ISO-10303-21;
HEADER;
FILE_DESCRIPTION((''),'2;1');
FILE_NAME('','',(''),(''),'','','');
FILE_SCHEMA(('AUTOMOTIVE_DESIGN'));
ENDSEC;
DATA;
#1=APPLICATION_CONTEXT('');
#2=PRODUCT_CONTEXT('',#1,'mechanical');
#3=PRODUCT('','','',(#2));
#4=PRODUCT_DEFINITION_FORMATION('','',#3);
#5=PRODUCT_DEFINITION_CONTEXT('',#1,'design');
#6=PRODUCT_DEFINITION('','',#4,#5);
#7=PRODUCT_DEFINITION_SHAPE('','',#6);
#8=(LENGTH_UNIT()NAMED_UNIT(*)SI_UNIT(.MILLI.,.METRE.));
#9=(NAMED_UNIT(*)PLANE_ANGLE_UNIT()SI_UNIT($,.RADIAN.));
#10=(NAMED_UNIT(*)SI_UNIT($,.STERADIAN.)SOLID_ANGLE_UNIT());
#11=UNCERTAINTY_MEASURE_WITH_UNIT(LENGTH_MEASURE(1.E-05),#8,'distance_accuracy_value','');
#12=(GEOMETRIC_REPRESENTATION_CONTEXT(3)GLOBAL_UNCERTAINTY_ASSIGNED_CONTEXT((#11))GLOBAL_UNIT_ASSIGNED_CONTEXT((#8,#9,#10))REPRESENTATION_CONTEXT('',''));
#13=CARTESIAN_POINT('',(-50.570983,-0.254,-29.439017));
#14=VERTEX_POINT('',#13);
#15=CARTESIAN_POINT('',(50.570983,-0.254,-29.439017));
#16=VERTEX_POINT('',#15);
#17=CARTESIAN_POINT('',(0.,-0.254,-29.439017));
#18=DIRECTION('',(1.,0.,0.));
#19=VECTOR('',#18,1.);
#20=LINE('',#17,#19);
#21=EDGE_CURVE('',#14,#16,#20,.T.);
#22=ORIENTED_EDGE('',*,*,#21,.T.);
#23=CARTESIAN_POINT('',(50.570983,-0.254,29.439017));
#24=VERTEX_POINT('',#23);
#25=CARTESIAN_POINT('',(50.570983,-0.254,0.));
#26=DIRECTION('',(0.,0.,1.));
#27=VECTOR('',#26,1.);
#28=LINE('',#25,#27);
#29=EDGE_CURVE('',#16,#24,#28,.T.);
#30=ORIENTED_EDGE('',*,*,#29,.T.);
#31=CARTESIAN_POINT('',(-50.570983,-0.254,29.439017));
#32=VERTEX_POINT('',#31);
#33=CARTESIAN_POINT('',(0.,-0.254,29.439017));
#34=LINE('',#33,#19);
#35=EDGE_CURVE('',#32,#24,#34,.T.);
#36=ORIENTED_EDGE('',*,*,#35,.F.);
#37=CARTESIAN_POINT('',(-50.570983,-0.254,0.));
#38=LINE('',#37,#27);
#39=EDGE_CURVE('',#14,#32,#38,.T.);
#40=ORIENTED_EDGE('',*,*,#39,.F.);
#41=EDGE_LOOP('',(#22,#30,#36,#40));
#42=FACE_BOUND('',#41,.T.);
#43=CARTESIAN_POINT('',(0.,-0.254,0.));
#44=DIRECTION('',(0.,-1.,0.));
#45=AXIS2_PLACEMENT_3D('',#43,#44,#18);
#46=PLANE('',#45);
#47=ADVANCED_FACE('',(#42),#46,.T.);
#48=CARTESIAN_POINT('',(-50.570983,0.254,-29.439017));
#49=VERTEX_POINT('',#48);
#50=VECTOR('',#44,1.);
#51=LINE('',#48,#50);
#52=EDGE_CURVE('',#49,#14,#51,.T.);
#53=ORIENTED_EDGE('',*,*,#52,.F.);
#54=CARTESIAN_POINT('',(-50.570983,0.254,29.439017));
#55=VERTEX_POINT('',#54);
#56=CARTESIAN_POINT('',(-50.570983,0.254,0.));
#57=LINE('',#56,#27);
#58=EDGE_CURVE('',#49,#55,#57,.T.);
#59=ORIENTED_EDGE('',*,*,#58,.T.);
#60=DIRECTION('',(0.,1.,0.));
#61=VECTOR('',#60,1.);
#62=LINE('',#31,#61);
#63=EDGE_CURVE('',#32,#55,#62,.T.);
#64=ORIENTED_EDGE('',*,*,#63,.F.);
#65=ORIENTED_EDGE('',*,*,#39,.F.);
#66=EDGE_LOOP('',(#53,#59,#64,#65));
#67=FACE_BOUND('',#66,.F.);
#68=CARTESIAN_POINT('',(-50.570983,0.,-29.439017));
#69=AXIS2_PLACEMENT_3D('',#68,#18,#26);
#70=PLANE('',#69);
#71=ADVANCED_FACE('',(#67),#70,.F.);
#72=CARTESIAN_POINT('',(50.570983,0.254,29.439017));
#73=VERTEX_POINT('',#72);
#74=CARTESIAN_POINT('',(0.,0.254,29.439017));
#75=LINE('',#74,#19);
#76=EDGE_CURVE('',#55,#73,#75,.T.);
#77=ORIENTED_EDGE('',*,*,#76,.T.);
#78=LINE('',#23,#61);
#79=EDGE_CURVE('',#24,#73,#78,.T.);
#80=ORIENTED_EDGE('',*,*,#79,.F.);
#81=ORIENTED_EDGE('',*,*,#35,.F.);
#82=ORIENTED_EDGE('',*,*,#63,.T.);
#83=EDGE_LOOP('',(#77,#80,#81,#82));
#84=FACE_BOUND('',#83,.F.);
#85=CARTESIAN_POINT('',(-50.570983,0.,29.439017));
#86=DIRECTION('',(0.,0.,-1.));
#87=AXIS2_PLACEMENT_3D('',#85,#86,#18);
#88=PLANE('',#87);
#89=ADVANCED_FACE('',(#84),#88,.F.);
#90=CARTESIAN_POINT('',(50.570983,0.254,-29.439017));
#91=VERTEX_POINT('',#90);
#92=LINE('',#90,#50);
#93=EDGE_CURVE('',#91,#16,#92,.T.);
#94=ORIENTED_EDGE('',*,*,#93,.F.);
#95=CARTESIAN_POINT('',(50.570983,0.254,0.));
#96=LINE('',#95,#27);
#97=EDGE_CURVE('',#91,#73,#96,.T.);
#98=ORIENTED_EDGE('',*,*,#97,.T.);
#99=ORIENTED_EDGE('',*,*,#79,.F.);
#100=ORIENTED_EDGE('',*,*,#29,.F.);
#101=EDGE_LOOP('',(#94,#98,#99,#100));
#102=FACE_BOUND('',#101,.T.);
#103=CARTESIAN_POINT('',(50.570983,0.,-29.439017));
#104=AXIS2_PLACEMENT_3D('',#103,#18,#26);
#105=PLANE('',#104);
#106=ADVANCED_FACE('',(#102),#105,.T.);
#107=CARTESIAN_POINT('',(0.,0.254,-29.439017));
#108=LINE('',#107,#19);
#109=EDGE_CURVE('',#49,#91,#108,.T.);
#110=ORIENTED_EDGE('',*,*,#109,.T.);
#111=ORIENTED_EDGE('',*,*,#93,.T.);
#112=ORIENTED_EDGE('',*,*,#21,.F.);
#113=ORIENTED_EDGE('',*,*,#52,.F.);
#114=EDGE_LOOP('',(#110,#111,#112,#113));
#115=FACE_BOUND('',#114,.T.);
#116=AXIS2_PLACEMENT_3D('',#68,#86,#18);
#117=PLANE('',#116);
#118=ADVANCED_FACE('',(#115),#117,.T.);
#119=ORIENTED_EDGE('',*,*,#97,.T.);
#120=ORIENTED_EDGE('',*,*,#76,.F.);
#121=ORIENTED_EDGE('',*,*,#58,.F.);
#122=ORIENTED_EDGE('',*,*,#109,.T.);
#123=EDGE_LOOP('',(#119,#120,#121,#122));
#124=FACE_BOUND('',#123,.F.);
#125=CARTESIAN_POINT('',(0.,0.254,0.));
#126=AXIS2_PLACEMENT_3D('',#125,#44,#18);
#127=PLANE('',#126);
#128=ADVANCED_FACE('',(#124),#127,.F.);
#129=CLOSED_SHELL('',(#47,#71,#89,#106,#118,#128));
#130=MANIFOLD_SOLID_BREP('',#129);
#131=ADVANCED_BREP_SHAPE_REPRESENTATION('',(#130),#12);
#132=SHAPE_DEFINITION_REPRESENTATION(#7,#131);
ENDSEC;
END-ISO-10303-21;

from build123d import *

# Parameters (mm, degrees)
F0_W     = 101.141966
F0_H     = 58.878034
F1_DEPTH = 0.254
F2_DEPTH = 0.254


with BuildPart() as f1:
    # F0 (on Front) → F1 (new body)
    with BuildSketch(Plane.XZ):
        Rectangle(F0_W, F0_H)
    extrude(amount=F1_DEPTH)

    # F0 (on Front) → F2 (join)
    with BuildSketch(Plane.XZ):
        Rectangle(F0_W, F0_H)
    extrude(amount=-F2_DEPTH)


solid = f1.part
